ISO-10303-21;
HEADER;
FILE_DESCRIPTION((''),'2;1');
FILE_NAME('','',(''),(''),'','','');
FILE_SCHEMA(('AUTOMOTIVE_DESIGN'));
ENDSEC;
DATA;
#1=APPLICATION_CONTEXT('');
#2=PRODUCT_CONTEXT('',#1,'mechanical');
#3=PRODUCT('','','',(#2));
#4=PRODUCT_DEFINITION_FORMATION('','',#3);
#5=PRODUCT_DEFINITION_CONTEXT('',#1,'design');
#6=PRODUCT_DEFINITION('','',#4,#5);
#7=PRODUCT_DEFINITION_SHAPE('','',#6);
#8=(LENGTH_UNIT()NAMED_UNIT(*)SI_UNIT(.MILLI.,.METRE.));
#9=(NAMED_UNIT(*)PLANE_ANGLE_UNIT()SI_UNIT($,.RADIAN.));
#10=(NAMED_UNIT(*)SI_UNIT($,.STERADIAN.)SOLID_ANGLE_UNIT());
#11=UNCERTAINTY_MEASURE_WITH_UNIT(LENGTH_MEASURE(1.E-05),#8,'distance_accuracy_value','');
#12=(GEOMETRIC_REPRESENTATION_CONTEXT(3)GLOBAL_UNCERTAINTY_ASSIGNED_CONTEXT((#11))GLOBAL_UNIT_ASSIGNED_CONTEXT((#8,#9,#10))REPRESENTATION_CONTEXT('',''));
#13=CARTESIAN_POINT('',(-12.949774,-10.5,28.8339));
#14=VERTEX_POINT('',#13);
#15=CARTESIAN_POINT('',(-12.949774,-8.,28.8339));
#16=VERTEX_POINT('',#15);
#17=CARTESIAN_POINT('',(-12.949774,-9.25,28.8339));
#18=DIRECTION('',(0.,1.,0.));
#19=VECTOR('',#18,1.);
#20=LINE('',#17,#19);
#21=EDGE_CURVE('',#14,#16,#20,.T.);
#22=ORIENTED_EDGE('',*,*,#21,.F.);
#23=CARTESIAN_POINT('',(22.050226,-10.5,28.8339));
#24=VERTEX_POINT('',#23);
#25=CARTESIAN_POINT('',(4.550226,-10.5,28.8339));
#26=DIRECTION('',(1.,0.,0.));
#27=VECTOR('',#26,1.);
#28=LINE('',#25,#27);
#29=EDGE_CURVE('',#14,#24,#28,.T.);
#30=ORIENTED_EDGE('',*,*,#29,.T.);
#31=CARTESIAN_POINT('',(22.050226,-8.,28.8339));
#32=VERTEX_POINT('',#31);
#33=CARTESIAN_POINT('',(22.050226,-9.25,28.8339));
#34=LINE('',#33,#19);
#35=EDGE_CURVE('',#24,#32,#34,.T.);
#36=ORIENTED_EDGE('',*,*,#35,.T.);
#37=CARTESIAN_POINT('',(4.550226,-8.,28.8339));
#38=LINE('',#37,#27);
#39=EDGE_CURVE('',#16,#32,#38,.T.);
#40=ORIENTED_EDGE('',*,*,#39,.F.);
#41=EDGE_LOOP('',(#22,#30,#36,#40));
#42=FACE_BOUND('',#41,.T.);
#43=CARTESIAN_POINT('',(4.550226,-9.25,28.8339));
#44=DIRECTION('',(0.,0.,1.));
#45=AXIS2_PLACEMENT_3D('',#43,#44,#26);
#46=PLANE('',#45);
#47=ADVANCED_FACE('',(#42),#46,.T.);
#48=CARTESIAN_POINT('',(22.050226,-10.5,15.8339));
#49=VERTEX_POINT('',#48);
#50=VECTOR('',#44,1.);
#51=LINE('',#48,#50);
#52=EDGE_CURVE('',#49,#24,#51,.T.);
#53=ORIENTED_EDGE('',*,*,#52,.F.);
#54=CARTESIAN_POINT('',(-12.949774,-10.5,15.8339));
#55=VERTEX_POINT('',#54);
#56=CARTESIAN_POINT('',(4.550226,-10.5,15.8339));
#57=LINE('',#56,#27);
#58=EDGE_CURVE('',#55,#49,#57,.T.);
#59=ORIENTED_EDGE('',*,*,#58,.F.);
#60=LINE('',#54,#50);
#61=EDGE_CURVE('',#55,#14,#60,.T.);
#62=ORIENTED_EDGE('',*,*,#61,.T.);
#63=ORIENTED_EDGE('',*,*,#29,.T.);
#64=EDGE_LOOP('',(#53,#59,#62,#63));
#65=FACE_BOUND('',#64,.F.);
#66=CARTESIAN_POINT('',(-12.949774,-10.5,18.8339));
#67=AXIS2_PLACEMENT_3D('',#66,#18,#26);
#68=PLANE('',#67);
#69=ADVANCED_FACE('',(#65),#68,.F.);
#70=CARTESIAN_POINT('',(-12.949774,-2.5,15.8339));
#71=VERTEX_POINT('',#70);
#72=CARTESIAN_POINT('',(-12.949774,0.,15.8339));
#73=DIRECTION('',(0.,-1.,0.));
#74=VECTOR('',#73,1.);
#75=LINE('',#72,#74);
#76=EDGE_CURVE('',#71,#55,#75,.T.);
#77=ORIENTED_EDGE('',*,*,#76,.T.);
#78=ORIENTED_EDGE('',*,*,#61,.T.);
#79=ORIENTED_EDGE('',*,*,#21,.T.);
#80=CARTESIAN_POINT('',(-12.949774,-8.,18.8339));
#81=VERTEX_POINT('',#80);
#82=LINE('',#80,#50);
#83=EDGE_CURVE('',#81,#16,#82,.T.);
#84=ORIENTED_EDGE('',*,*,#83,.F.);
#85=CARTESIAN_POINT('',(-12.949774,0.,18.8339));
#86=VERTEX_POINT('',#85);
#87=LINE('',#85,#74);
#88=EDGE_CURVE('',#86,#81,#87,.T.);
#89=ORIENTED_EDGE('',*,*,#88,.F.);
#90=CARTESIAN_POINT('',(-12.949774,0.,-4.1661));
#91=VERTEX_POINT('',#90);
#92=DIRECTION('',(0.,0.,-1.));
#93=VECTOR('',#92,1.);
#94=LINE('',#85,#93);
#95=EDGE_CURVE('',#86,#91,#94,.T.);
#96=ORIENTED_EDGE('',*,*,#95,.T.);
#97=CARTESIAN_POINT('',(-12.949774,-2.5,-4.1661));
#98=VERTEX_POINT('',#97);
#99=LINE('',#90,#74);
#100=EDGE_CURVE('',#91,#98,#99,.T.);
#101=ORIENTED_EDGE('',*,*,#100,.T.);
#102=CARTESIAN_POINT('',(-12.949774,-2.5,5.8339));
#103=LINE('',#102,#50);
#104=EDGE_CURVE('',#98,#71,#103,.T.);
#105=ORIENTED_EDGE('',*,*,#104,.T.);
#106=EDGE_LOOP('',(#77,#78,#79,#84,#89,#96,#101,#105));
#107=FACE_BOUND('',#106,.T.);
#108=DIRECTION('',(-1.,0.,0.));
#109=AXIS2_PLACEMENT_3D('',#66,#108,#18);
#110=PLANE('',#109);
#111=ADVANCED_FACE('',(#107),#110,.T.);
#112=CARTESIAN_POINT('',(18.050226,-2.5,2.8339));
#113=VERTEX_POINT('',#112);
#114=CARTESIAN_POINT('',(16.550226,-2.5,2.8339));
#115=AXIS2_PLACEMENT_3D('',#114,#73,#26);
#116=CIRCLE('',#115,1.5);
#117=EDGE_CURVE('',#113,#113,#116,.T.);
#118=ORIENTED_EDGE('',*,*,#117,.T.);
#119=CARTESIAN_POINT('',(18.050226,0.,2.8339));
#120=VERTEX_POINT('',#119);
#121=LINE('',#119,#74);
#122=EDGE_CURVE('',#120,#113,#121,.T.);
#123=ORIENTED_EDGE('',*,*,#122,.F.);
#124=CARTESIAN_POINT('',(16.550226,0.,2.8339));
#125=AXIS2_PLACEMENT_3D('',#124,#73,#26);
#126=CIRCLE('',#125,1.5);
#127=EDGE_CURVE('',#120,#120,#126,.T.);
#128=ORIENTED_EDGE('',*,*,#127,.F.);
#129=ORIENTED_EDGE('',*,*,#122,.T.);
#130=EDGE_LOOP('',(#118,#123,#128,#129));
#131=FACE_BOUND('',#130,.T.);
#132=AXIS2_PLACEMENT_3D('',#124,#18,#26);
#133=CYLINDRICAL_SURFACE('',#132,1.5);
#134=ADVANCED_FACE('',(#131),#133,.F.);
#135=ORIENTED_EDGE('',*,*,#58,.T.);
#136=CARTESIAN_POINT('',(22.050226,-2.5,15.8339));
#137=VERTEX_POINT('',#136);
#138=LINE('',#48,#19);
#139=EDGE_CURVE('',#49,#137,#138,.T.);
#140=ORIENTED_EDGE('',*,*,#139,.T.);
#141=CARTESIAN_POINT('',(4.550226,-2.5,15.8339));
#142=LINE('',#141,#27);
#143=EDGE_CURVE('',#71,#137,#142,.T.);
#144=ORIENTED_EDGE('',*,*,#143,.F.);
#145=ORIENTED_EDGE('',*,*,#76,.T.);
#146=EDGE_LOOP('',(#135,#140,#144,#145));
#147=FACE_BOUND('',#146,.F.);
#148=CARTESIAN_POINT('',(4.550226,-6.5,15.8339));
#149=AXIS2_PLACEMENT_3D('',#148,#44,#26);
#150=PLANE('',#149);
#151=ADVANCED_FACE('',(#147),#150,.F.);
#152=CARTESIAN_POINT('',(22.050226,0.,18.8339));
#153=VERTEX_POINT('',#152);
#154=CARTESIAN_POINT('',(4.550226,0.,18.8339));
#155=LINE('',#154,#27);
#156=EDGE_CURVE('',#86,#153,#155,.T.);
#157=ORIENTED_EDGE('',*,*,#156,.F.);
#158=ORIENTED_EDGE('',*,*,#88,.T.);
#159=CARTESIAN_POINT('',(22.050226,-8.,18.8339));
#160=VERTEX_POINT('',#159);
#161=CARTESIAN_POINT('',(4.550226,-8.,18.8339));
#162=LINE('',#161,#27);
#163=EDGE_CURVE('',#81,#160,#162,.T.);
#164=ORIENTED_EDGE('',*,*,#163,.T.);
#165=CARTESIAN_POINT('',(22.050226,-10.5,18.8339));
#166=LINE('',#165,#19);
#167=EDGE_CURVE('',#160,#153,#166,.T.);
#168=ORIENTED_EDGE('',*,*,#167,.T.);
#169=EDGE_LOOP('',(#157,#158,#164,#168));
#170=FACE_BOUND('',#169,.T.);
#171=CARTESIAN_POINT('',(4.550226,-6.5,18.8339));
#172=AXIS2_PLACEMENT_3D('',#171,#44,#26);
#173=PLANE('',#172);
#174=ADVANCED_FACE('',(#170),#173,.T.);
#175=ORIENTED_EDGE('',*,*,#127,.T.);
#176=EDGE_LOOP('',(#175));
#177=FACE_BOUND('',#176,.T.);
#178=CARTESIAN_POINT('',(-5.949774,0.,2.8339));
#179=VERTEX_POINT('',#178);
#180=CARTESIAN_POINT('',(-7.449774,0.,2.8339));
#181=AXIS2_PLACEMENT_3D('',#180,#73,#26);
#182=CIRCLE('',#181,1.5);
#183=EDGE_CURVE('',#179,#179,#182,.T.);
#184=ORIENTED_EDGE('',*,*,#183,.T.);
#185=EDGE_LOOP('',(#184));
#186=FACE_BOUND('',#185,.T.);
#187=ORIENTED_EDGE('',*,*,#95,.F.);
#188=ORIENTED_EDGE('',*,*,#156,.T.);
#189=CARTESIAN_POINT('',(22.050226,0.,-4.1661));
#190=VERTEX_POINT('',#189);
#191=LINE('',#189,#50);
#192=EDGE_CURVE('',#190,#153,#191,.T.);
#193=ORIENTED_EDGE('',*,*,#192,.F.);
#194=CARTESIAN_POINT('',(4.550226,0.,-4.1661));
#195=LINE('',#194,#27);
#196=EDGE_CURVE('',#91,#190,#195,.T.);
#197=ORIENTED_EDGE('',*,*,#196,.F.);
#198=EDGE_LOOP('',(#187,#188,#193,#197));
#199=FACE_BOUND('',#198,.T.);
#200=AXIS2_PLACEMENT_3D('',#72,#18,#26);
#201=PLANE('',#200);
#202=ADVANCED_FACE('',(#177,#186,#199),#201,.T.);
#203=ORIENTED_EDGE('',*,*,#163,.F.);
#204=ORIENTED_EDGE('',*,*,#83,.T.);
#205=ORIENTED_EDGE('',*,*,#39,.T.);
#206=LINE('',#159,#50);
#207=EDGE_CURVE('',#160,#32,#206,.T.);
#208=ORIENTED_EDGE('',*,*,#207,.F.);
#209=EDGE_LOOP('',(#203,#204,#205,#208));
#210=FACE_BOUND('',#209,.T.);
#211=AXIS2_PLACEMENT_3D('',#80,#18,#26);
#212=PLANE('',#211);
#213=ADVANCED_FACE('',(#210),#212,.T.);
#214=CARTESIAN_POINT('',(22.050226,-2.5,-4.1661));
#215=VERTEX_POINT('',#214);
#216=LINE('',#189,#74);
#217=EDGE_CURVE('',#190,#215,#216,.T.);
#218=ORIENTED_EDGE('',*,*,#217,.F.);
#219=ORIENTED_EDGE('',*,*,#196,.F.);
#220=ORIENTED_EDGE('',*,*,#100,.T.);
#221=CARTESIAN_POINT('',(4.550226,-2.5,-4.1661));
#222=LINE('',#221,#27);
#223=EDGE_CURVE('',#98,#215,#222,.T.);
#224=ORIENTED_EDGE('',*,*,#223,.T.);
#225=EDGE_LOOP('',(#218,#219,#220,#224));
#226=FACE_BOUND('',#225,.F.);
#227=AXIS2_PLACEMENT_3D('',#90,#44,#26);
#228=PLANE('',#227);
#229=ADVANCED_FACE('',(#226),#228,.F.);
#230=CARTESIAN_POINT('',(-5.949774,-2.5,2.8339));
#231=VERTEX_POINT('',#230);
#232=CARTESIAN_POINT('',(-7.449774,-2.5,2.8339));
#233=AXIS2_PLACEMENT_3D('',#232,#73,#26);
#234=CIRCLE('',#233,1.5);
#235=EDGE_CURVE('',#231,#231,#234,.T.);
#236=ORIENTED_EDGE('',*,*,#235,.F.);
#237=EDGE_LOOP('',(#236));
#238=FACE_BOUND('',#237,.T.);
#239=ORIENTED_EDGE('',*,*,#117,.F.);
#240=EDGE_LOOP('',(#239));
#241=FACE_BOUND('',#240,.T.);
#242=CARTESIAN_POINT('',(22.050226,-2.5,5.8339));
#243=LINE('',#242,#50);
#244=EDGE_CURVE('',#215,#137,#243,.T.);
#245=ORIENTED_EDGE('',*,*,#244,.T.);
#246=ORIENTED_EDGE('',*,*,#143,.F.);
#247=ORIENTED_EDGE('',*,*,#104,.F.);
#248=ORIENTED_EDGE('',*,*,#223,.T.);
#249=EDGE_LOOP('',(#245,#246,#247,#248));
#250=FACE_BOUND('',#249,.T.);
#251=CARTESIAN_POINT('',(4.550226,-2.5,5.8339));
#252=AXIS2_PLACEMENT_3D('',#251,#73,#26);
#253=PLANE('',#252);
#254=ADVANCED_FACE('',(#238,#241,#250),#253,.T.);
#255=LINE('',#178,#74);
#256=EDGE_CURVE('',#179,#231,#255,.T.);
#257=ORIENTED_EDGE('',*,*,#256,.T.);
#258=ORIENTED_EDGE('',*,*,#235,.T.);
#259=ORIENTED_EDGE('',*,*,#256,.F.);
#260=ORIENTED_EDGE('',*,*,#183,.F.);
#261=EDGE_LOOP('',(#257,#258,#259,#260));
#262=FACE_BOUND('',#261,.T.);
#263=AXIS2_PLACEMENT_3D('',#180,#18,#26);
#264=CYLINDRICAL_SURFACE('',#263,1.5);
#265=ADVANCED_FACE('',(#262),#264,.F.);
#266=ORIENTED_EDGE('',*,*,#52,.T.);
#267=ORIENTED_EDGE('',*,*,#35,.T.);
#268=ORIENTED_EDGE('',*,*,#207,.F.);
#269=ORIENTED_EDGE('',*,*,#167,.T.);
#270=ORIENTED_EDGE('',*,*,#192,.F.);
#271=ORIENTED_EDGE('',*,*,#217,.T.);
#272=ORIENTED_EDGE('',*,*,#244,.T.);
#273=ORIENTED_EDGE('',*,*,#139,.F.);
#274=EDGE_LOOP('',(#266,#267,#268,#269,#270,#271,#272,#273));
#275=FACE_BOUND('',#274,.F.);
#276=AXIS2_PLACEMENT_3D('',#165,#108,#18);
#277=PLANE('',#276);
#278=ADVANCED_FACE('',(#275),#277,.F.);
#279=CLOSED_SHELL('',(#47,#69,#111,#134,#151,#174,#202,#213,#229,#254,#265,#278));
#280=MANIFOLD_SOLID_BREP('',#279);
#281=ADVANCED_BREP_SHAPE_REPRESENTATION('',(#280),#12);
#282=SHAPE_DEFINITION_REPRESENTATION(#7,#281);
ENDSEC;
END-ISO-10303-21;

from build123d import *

# Parameters (mm, degrees)
F0_W     = 35
F0_H     = 20
F0_R     = 1.5
F1_DEPTH = 2.5
F2_W     = 35
F2_H     = 8
F2_H_2   = 2.5
F3_DEPTH = 3
F4_W     = 35
F4_H     = 2.5
F5_DEPTH = 10


with BuildPart() as f1:
    # F0 (on Front) → F1 (new body)
    with BuildSketch(Plane.XZ):
        with Locations((4.550226, 5.8339)):
            Rectangle(F0_W, F0_H)
        with Locations((-7.449774, 2.8339)):
            Circle(F0_R, mode=Mode.SUBTRACT)
        with Locations((16.550226, 2.8339)):
            Circle(F0_R, mode=Mode.SUBTRACT)
    extrude(amount=F1_DEPTH)

    # F2 (on face) → F3 (join)
    with BuildSketch(Plane.XY.offset(15.8339)):
        with Locations((4.550226, -6.5)):
            Rectangle(F2_W, F2_H)
        with Locations((4.550226, -1.25)):
            Rectangle(F2_W, F2_H_2)
    extrude(amount=F3_DEPTH)

    # F4 (on face) → F5 (join)
    with BuildSketch(Plane.XY.offset(18.8339)):
        with Locations((4.550226, -9.25)):
            Rectangle(F4_W, F4_H)
    extrude(amount=F5_DEPTH)


solid = f1.part
